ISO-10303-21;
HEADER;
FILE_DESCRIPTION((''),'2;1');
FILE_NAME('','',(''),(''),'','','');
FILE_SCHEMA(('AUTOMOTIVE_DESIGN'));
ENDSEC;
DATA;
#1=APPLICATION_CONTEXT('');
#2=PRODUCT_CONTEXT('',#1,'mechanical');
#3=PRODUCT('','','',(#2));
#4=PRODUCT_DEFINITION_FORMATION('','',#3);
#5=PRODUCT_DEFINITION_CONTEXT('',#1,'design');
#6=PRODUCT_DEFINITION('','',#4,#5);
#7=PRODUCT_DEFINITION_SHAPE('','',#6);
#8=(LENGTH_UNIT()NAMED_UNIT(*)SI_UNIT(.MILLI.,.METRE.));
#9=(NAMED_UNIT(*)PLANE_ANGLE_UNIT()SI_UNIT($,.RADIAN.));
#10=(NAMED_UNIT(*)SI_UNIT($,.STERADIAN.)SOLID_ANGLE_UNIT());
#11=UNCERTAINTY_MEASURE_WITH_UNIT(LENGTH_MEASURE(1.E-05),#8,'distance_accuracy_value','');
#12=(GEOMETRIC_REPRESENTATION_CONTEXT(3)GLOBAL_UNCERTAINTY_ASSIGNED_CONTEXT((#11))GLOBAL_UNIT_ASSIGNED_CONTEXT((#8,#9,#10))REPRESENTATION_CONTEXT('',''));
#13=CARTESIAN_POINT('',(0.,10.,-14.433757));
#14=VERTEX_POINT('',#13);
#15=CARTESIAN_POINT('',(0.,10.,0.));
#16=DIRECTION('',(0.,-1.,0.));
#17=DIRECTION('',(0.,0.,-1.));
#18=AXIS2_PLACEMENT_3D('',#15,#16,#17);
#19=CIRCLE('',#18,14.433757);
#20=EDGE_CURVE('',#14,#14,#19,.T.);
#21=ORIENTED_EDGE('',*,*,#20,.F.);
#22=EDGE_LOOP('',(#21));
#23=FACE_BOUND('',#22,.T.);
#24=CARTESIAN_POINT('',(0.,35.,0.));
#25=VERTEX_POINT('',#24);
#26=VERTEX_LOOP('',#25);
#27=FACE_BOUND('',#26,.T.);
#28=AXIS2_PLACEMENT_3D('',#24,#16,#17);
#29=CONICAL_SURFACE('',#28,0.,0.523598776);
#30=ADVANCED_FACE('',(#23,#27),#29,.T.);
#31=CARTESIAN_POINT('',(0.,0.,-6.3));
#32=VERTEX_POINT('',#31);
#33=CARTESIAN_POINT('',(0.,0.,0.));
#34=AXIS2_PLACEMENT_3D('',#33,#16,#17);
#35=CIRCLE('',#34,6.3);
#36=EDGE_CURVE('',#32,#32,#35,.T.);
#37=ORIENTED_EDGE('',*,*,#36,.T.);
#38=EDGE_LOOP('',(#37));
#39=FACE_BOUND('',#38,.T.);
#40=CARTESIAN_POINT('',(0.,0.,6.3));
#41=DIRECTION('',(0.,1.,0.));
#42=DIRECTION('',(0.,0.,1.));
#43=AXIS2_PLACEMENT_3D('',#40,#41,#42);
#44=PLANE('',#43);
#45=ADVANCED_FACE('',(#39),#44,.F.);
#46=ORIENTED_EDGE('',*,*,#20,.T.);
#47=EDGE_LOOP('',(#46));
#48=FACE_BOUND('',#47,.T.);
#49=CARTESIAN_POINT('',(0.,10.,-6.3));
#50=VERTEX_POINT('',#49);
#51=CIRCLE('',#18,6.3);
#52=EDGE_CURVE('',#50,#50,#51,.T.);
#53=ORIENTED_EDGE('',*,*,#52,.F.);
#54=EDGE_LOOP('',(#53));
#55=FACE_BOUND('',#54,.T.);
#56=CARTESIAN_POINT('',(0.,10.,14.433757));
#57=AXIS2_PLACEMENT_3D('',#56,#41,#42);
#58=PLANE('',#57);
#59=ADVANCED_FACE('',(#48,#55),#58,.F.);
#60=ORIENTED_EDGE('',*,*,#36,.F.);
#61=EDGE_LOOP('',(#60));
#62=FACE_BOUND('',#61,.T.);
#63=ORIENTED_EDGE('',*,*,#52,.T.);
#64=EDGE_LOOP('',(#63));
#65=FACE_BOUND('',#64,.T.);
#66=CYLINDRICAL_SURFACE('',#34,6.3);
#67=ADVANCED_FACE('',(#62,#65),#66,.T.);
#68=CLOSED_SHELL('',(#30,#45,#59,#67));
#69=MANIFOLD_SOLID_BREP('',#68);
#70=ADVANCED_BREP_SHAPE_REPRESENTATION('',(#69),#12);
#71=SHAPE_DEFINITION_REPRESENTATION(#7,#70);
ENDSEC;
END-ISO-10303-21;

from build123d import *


with BuildPart() as part:
    # Sketch2 → Revolve1 (revolve)
    with BuildSketch(Plane(origin=(0, 0, 0), x_dir=(0, 0, -1), z_dir=(1, 0, 0))):
        Polygon((0, 0), (0, 35), (-14.43375673, 10), (-6.3, 10), (-6.3, 0), align=None)
    revolve(axis=Axis((0, 0, 0), (0, 1, 0)))


solid = part.part
